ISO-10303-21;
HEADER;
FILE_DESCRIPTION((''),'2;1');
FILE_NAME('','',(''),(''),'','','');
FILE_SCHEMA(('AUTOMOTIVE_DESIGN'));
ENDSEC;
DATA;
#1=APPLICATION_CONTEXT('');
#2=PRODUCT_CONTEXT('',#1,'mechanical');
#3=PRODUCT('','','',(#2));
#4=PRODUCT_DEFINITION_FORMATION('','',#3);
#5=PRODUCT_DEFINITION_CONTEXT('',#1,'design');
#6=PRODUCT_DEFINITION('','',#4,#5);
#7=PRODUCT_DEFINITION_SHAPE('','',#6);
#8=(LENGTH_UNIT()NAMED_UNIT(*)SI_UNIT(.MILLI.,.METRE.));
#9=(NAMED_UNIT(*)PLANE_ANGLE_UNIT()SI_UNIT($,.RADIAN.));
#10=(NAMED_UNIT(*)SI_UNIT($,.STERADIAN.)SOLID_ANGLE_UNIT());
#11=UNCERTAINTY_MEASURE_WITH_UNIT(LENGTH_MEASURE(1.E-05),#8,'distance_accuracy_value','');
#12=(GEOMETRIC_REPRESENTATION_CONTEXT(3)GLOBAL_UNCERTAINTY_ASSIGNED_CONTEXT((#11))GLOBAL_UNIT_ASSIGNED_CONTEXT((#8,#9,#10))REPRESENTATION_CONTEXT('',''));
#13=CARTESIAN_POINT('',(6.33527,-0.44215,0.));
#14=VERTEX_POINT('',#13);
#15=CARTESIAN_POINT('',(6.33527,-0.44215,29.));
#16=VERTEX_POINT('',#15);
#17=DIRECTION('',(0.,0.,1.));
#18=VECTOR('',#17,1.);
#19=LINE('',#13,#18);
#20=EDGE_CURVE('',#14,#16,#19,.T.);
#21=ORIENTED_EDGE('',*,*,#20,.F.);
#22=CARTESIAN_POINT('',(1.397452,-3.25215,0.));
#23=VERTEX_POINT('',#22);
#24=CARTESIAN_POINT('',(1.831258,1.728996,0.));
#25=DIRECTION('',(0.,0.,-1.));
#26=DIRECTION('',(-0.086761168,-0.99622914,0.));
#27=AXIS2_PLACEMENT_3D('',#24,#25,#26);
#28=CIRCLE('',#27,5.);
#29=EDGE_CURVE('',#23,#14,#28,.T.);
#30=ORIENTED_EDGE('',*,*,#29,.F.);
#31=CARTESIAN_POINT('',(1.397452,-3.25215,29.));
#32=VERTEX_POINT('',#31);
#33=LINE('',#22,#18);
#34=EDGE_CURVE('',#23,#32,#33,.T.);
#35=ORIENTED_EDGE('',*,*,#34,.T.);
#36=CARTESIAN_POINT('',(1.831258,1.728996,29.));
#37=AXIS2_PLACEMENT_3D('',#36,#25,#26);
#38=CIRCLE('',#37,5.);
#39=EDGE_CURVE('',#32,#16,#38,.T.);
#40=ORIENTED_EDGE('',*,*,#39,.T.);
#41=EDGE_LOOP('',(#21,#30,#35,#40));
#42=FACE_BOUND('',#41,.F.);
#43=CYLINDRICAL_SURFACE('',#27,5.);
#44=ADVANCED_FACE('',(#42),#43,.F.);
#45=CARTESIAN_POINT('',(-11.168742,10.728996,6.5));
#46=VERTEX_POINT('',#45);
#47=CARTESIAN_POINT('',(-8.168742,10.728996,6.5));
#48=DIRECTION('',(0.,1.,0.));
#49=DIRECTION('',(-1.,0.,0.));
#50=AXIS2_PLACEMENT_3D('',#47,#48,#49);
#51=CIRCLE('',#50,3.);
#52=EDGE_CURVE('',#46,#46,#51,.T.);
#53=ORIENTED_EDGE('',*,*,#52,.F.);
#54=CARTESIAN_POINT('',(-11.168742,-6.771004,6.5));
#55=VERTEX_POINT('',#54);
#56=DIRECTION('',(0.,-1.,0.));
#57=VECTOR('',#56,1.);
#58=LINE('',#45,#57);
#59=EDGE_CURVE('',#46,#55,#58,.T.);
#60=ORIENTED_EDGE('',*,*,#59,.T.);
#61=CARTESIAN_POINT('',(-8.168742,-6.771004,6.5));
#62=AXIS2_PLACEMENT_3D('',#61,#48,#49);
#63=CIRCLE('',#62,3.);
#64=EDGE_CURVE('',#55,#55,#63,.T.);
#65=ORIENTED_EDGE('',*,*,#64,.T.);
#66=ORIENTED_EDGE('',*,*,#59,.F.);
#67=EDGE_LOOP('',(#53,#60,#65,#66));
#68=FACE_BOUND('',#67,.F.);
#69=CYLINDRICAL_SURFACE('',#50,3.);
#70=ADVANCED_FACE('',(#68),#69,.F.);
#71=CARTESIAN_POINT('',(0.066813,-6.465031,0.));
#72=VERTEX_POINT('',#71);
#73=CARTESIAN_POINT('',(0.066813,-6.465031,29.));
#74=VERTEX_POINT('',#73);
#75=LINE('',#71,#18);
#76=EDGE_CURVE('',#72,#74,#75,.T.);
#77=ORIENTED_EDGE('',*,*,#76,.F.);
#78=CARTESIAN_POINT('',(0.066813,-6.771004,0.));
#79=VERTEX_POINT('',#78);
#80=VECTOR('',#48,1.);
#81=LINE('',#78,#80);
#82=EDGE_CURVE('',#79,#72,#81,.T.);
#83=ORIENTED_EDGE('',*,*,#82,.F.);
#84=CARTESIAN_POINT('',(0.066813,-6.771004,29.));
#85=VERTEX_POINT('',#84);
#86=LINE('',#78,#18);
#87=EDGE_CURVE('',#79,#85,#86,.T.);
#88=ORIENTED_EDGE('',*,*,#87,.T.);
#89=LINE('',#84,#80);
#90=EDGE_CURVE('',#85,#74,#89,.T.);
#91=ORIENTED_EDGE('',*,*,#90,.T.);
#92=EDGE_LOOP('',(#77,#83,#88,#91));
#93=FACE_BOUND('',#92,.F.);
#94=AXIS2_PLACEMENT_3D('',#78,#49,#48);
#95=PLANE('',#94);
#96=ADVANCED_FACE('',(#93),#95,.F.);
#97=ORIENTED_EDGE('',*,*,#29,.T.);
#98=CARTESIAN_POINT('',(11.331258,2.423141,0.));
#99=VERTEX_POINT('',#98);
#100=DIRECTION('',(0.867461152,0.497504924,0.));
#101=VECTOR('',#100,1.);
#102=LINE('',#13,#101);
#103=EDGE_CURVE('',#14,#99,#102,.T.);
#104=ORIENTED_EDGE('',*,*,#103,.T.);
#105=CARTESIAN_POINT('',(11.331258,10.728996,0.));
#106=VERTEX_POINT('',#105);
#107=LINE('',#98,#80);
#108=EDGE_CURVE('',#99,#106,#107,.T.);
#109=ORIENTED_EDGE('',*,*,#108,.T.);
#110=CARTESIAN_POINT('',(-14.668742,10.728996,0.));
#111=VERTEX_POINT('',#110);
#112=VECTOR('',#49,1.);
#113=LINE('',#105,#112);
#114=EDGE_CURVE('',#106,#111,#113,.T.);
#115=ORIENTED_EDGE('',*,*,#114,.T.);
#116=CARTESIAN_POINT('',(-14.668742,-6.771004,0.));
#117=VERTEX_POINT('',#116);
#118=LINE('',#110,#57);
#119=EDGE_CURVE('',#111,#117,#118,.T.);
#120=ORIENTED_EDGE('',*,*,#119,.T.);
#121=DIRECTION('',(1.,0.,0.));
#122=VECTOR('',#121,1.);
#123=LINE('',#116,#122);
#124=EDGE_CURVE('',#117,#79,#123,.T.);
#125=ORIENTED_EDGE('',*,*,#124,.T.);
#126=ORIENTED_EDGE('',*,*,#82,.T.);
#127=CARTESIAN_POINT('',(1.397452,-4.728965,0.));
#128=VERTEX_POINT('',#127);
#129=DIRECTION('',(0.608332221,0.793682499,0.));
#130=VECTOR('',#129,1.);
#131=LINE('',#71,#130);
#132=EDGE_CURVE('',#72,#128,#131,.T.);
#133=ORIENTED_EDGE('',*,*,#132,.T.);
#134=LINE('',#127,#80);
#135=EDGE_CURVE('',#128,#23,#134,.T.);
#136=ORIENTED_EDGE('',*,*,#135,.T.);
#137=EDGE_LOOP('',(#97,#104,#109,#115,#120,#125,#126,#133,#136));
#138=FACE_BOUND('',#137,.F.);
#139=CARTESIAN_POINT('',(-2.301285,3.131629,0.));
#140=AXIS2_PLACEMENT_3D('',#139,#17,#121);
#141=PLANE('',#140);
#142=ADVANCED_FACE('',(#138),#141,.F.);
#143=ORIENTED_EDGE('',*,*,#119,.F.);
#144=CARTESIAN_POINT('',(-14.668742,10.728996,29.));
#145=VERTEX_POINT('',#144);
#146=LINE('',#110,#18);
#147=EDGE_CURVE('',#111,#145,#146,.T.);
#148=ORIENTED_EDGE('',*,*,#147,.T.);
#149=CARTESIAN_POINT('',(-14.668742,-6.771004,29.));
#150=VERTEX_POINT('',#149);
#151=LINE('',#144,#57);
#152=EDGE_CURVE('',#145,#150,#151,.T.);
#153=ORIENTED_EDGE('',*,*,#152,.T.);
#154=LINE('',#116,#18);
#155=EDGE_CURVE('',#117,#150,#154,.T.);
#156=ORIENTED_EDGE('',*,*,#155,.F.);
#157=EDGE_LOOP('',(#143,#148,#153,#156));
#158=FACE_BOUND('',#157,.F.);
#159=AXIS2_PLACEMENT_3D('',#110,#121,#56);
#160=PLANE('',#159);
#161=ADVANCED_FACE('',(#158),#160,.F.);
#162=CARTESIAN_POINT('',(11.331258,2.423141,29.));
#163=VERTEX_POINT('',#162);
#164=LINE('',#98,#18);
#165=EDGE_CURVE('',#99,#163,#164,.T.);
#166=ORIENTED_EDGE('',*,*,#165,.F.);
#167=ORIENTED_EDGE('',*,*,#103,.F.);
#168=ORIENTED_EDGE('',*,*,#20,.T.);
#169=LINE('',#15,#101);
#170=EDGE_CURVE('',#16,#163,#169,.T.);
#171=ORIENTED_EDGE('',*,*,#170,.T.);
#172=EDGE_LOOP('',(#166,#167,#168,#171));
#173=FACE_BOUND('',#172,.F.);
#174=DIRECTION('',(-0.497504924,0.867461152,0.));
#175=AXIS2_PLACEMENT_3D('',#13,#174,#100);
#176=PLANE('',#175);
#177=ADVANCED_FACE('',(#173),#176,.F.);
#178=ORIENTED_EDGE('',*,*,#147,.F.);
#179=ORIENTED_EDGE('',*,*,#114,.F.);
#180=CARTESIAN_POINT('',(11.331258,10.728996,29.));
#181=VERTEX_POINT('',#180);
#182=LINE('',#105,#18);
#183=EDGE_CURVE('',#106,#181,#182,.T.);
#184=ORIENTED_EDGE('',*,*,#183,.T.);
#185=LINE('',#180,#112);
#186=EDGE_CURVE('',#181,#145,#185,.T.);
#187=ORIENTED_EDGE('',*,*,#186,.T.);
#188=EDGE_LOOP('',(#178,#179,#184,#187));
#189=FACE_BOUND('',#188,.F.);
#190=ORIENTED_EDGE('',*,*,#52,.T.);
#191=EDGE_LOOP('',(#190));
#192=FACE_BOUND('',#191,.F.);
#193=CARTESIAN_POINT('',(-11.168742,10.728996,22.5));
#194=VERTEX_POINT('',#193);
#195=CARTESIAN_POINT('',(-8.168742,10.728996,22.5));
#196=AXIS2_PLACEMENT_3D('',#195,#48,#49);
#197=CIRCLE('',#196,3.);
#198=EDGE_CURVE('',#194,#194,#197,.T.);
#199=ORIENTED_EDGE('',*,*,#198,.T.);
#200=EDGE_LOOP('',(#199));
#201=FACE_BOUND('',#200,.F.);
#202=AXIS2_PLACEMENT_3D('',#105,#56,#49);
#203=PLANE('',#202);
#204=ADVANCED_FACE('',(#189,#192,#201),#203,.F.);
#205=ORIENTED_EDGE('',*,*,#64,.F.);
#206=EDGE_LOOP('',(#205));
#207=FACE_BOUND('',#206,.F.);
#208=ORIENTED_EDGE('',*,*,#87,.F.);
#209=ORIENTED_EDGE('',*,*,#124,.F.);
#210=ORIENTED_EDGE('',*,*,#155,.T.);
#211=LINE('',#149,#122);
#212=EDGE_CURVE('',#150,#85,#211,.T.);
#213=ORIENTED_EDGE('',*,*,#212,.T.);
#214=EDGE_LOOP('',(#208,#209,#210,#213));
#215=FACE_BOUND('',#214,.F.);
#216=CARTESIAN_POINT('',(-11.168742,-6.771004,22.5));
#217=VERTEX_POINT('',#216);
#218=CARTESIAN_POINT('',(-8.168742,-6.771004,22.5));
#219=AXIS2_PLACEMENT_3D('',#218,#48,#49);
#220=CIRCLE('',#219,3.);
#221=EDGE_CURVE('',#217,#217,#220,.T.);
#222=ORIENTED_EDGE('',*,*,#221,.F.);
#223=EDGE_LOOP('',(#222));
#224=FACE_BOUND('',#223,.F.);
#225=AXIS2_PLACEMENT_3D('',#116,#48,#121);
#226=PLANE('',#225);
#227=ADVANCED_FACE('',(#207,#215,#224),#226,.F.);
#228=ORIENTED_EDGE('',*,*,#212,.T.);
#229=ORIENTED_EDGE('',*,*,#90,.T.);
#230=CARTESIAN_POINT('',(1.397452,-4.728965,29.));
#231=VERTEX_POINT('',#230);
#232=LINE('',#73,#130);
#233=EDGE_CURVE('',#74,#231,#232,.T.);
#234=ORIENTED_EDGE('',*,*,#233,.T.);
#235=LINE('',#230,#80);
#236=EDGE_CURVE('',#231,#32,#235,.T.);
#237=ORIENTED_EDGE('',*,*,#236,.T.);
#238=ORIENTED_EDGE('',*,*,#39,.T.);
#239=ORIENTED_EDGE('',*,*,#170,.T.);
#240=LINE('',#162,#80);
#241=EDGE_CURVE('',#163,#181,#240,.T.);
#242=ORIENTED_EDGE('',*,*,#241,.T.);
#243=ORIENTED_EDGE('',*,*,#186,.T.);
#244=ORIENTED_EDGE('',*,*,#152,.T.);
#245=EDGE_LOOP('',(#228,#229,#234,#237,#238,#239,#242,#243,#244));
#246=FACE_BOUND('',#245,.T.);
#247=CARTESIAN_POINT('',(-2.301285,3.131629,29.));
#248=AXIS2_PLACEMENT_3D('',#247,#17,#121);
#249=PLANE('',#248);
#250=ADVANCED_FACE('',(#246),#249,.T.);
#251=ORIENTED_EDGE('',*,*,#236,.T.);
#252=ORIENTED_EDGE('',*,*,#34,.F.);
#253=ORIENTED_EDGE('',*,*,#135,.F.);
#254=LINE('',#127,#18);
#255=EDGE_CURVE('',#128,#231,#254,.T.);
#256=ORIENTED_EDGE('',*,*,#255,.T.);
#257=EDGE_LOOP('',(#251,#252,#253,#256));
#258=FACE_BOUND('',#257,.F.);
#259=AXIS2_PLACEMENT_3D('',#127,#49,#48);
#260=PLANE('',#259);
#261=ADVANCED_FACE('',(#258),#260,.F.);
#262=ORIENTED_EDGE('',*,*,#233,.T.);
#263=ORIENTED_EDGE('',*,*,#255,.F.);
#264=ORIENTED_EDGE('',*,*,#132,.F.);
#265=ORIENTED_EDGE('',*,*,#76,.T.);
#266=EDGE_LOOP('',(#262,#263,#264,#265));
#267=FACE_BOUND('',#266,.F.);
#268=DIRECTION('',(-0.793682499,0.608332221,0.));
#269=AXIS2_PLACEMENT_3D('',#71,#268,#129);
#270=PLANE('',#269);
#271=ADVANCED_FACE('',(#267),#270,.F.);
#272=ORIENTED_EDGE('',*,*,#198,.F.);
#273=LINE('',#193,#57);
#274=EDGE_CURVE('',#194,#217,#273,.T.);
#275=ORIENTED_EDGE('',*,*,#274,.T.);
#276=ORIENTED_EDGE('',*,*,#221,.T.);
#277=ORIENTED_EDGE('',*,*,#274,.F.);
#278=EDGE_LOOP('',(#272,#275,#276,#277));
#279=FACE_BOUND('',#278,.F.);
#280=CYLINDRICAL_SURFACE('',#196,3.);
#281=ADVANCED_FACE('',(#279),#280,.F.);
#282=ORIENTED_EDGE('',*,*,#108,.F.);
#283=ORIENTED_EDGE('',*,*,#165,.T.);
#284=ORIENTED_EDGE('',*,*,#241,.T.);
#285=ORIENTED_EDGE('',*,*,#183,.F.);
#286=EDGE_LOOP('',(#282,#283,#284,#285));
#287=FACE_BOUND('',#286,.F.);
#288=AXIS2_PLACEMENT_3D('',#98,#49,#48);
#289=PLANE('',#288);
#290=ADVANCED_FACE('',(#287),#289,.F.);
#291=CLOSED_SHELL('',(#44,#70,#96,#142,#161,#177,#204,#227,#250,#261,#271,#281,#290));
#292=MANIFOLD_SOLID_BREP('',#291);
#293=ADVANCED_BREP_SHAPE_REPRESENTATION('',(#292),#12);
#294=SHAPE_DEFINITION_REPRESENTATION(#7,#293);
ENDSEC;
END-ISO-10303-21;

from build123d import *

# Parameters (mm, degrees)
F1_DEPTH = 29
F2_R     = 3
F3_DEPTH = 17.501


with BuildPart() as f1:
    # F0 (on Top) → F1 (new body)
    with BuildSketch(Plane.XY):
        with BuildLine():
            ThreePointArc((1.397452, -3.25215), (-0.64173, 6.074606), (6.33527, -0.44215))
            Line((6.33527, -0.44215), (11.331258, 2.423141))
            Line((11.331258, 2.423141), (11.331258, 10.728996))
            Line((11.331258, 10.728996), (-14.668742, 10.728996))
            Line((-14.668742, 10.728996), (-14.668742, -6.771004))
            Line((-14.668742, -6.771004), (0.066813, -6.771004))
            Line((0.066813, -6.771004), (0.066813, -6.465031))
            Line((0.066813, -6.465031), (1.397452, -4.728965))
            Line((1.397452, -4.728965), (1.397452, -3.25215))
        make_face()
    extrude(amount=F1_DEPTH)

    # F2 (on face) → F3 (cut, through all)
    with BuildSketch(Plane(origin=(0, 10.728996, 0), x_dir=(-1, 0, 0), z_dir=(0, 1, 0))):
        with Locations((8.168742, 22.5)):
            Circle(F2_R)
        with Locations((8.168742, 6.5)):
            Circle(F2_R)
    extrude(amount=-F3_DEPTH, mode=Mode.SUBTRACT)


solid = f1.part
